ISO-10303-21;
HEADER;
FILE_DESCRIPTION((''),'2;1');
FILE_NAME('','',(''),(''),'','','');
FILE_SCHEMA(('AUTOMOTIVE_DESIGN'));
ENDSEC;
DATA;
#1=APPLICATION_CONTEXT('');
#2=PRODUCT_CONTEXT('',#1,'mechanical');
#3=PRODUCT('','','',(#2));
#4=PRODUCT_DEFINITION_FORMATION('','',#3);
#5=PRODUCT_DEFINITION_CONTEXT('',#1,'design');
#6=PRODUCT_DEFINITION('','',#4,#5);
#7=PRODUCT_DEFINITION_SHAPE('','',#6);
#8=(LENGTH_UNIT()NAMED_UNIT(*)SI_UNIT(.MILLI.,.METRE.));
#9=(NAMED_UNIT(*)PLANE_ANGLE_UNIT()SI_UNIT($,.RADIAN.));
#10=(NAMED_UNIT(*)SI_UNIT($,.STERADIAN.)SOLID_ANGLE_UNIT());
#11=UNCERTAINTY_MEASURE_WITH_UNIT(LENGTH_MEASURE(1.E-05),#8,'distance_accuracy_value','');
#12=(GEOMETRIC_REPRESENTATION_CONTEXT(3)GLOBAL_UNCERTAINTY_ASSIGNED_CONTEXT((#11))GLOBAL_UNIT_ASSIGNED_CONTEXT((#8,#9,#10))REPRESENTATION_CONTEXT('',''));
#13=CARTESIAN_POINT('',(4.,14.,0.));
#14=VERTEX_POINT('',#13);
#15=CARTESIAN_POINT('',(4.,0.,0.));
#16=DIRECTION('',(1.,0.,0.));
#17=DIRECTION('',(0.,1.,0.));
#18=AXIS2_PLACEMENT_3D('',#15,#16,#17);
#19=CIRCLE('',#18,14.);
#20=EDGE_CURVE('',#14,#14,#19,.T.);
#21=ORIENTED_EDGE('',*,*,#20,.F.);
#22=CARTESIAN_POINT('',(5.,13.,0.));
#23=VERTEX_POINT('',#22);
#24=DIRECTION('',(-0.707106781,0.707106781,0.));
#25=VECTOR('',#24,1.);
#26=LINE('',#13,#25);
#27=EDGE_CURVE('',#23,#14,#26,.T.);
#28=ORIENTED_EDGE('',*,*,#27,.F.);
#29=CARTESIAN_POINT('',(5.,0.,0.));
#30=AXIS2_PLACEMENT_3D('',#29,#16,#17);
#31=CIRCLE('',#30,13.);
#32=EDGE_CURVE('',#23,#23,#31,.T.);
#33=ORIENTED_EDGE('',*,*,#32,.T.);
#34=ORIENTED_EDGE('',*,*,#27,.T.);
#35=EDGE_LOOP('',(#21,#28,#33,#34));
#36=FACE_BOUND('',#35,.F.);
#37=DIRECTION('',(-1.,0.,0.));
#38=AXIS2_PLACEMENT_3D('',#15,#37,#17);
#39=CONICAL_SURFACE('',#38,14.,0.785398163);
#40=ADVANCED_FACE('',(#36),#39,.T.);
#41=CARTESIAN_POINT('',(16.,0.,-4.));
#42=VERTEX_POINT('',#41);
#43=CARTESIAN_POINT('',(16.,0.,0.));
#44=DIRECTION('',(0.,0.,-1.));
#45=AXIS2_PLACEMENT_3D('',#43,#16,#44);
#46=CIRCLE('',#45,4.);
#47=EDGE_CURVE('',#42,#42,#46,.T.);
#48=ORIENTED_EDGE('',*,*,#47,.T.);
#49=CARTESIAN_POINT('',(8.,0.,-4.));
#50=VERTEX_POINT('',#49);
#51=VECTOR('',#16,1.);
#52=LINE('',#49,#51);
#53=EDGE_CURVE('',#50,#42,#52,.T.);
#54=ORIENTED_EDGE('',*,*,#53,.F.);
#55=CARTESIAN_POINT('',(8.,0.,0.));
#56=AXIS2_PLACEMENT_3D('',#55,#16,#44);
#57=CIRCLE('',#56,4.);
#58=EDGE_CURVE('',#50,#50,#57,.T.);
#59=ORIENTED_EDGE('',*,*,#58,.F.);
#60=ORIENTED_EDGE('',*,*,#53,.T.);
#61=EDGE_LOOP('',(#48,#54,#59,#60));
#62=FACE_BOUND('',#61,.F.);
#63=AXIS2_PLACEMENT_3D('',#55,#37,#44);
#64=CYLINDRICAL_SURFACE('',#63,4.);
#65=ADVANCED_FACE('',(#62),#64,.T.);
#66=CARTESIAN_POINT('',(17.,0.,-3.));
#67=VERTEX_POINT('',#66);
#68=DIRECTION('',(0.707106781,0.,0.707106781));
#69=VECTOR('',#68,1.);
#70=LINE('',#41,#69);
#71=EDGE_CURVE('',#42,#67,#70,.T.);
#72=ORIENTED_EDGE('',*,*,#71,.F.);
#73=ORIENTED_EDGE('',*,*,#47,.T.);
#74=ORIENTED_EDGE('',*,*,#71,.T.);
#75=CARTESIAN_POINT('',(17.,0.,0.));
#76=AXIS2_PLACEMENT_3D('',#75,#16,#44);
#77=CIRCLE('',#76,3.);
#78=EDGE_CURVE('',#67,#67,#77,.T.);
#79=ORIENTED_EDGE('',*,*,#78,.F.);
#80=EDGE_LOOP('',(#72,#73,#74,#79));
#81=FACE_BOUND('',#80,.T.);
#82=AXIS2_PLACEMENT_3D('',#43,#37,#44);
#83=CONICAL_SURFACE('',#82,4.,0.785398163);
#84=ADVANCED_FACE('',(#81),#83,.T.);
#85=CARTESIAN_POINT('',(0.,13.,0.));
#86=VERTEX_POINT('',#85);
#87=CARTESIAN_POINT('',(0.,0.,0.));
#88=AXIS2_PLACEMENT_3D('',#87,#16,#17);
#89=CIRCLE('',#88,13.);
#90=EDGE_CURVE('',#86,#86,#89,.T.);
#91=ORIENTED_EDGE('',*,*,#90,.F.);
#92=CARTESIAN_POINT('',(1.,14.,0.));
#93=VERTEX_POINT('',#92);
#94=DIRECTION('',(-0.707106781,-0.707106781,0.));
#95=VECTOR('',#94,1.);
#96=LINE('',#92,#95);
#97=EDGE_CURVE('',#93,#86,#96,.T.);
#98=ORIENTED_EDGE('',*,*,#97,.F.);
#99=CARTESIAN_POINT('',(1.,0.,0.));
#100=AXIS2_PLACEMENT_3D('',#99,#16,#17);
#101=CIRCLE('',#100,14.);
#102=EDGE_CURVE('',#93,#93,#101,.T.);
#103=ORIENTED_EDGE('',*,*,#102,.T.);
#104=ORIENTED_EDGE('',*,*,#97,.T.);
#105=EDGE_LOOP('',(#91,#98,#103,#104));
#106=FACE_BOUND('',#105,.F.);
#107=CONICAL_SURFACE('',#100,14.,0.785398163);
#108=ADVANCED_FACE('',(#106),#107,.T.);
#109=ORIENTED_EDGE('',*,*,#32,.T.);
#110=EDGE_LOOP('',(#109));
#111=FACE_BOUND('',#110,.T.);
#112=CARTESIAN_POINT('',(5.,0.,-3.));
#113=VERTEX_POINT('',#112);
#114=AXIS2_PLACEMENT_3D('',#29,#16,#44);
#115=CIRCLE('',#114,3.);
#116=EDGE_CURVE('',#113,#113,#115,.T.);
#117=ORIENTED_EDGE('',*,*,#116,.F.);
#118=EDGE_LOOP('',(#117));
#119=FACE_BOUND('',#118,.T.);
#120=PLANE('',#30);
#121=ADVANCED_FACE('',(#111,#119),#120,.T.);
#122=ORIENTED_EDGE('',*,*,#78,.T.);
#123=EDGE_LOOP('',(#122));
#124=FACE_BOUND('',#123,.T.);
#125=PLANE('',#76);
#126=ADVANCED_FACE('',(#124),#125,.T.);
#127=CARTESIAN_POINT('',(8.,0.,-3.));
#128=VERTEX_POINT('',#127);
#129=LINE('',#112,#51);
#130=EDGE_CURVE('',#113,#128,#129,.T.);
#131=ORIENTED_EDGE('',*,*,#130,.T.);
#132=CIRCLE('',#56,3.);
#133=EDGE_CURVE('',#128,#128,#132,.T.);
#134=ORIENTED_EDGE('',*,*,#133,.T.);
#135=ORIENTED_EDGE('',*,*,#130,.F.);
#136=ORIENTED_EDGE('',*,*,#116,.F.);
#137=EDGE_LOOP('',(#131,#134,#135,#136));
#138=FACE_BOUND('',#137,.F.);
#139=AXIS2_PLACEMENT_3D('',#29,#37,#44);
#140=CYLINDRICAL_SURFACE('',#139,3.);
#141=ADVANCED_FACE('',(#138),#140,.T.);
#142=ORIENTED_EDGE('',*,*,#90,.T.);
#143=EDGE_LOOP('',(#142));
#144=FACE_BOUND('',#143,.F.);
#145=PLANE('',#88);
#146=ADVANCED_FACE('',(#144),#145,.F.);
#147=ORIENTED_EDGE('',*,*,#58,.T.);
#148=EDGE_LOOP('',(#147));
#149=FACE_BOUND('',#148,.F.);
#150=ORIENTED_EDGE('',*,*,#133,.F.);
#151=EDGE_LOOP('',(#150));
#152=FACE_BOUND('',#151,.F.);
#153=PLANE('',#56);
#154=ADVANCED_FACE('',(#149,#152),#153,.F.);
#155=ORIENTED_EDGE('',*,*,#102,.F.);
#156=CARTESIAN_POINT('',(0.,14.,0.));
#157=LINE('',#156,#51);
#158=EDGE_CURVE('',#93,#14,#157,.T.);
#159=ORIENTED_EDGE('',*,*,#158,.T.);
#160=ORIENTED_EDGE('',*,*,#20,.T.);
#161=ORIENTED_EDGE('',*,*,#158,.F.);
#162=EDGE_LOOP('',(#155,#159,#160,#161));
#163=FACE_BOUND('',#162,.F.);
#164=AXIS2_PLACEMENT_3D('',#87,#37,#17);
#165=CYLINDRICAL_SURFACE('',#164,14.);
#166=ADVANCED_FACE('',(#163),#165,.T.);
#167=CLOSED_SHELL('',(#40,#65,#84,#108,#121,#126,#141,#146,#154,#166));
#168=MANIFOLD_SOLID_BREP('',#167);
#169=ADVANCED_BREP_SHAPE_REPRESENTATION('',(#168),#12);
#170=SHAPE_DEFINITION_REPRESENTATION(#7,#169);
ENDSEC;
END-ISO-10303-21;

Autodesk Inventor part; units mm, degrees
ref_plane "YZ Plane" through (0, 0, 0) normal (1, 0, 0) x (0, 1, 0)
ref_plane "XZ Plane" through (0, 0, 0) normal (0, 1, 0) x (-1, 0, 0)
ref_plane "XY Plane" through (0, 0, 0) normal (0, 0, 1) x (1, 0, 0)
sketch "草圖1" plane through (0, 0, 0) normal (1, 0, 0) x (0, 1, 0)
  circle A0 centre (0, 0) radius 14
  dimension "d0" = 28
extrude "擠出1" add sketch "草圖1" along normal blind 5
sketch "草圖2" plane through (5, 0, 0) normal (1, 0, 0) x (0, 0, -1)
  circle A0 centre (0, 0) radius 3
  dimension "d3" = 6
extrude "擠出2" add sketch "草圖2" along normal blind 3
sketch "草圖3" plane through (8, 0, 0) normal (1, 0, 0) x (0, 0, -1)
  circle A0 centre (0, 0) radius 4
  dimension "d6" = 8
extrude "擠出3" add sketch "草圖3" along normal blind 9
chamfer "倒角1" distance 1 angle 45 3 edges at (17, 0, 4) (5, -14, 0) (0, -14, 0)
thread "螺紋1" size "M8x1.25" class "6g" standard "ANSI Metric M Profile" full length
properties part number "2. 螺栓"
